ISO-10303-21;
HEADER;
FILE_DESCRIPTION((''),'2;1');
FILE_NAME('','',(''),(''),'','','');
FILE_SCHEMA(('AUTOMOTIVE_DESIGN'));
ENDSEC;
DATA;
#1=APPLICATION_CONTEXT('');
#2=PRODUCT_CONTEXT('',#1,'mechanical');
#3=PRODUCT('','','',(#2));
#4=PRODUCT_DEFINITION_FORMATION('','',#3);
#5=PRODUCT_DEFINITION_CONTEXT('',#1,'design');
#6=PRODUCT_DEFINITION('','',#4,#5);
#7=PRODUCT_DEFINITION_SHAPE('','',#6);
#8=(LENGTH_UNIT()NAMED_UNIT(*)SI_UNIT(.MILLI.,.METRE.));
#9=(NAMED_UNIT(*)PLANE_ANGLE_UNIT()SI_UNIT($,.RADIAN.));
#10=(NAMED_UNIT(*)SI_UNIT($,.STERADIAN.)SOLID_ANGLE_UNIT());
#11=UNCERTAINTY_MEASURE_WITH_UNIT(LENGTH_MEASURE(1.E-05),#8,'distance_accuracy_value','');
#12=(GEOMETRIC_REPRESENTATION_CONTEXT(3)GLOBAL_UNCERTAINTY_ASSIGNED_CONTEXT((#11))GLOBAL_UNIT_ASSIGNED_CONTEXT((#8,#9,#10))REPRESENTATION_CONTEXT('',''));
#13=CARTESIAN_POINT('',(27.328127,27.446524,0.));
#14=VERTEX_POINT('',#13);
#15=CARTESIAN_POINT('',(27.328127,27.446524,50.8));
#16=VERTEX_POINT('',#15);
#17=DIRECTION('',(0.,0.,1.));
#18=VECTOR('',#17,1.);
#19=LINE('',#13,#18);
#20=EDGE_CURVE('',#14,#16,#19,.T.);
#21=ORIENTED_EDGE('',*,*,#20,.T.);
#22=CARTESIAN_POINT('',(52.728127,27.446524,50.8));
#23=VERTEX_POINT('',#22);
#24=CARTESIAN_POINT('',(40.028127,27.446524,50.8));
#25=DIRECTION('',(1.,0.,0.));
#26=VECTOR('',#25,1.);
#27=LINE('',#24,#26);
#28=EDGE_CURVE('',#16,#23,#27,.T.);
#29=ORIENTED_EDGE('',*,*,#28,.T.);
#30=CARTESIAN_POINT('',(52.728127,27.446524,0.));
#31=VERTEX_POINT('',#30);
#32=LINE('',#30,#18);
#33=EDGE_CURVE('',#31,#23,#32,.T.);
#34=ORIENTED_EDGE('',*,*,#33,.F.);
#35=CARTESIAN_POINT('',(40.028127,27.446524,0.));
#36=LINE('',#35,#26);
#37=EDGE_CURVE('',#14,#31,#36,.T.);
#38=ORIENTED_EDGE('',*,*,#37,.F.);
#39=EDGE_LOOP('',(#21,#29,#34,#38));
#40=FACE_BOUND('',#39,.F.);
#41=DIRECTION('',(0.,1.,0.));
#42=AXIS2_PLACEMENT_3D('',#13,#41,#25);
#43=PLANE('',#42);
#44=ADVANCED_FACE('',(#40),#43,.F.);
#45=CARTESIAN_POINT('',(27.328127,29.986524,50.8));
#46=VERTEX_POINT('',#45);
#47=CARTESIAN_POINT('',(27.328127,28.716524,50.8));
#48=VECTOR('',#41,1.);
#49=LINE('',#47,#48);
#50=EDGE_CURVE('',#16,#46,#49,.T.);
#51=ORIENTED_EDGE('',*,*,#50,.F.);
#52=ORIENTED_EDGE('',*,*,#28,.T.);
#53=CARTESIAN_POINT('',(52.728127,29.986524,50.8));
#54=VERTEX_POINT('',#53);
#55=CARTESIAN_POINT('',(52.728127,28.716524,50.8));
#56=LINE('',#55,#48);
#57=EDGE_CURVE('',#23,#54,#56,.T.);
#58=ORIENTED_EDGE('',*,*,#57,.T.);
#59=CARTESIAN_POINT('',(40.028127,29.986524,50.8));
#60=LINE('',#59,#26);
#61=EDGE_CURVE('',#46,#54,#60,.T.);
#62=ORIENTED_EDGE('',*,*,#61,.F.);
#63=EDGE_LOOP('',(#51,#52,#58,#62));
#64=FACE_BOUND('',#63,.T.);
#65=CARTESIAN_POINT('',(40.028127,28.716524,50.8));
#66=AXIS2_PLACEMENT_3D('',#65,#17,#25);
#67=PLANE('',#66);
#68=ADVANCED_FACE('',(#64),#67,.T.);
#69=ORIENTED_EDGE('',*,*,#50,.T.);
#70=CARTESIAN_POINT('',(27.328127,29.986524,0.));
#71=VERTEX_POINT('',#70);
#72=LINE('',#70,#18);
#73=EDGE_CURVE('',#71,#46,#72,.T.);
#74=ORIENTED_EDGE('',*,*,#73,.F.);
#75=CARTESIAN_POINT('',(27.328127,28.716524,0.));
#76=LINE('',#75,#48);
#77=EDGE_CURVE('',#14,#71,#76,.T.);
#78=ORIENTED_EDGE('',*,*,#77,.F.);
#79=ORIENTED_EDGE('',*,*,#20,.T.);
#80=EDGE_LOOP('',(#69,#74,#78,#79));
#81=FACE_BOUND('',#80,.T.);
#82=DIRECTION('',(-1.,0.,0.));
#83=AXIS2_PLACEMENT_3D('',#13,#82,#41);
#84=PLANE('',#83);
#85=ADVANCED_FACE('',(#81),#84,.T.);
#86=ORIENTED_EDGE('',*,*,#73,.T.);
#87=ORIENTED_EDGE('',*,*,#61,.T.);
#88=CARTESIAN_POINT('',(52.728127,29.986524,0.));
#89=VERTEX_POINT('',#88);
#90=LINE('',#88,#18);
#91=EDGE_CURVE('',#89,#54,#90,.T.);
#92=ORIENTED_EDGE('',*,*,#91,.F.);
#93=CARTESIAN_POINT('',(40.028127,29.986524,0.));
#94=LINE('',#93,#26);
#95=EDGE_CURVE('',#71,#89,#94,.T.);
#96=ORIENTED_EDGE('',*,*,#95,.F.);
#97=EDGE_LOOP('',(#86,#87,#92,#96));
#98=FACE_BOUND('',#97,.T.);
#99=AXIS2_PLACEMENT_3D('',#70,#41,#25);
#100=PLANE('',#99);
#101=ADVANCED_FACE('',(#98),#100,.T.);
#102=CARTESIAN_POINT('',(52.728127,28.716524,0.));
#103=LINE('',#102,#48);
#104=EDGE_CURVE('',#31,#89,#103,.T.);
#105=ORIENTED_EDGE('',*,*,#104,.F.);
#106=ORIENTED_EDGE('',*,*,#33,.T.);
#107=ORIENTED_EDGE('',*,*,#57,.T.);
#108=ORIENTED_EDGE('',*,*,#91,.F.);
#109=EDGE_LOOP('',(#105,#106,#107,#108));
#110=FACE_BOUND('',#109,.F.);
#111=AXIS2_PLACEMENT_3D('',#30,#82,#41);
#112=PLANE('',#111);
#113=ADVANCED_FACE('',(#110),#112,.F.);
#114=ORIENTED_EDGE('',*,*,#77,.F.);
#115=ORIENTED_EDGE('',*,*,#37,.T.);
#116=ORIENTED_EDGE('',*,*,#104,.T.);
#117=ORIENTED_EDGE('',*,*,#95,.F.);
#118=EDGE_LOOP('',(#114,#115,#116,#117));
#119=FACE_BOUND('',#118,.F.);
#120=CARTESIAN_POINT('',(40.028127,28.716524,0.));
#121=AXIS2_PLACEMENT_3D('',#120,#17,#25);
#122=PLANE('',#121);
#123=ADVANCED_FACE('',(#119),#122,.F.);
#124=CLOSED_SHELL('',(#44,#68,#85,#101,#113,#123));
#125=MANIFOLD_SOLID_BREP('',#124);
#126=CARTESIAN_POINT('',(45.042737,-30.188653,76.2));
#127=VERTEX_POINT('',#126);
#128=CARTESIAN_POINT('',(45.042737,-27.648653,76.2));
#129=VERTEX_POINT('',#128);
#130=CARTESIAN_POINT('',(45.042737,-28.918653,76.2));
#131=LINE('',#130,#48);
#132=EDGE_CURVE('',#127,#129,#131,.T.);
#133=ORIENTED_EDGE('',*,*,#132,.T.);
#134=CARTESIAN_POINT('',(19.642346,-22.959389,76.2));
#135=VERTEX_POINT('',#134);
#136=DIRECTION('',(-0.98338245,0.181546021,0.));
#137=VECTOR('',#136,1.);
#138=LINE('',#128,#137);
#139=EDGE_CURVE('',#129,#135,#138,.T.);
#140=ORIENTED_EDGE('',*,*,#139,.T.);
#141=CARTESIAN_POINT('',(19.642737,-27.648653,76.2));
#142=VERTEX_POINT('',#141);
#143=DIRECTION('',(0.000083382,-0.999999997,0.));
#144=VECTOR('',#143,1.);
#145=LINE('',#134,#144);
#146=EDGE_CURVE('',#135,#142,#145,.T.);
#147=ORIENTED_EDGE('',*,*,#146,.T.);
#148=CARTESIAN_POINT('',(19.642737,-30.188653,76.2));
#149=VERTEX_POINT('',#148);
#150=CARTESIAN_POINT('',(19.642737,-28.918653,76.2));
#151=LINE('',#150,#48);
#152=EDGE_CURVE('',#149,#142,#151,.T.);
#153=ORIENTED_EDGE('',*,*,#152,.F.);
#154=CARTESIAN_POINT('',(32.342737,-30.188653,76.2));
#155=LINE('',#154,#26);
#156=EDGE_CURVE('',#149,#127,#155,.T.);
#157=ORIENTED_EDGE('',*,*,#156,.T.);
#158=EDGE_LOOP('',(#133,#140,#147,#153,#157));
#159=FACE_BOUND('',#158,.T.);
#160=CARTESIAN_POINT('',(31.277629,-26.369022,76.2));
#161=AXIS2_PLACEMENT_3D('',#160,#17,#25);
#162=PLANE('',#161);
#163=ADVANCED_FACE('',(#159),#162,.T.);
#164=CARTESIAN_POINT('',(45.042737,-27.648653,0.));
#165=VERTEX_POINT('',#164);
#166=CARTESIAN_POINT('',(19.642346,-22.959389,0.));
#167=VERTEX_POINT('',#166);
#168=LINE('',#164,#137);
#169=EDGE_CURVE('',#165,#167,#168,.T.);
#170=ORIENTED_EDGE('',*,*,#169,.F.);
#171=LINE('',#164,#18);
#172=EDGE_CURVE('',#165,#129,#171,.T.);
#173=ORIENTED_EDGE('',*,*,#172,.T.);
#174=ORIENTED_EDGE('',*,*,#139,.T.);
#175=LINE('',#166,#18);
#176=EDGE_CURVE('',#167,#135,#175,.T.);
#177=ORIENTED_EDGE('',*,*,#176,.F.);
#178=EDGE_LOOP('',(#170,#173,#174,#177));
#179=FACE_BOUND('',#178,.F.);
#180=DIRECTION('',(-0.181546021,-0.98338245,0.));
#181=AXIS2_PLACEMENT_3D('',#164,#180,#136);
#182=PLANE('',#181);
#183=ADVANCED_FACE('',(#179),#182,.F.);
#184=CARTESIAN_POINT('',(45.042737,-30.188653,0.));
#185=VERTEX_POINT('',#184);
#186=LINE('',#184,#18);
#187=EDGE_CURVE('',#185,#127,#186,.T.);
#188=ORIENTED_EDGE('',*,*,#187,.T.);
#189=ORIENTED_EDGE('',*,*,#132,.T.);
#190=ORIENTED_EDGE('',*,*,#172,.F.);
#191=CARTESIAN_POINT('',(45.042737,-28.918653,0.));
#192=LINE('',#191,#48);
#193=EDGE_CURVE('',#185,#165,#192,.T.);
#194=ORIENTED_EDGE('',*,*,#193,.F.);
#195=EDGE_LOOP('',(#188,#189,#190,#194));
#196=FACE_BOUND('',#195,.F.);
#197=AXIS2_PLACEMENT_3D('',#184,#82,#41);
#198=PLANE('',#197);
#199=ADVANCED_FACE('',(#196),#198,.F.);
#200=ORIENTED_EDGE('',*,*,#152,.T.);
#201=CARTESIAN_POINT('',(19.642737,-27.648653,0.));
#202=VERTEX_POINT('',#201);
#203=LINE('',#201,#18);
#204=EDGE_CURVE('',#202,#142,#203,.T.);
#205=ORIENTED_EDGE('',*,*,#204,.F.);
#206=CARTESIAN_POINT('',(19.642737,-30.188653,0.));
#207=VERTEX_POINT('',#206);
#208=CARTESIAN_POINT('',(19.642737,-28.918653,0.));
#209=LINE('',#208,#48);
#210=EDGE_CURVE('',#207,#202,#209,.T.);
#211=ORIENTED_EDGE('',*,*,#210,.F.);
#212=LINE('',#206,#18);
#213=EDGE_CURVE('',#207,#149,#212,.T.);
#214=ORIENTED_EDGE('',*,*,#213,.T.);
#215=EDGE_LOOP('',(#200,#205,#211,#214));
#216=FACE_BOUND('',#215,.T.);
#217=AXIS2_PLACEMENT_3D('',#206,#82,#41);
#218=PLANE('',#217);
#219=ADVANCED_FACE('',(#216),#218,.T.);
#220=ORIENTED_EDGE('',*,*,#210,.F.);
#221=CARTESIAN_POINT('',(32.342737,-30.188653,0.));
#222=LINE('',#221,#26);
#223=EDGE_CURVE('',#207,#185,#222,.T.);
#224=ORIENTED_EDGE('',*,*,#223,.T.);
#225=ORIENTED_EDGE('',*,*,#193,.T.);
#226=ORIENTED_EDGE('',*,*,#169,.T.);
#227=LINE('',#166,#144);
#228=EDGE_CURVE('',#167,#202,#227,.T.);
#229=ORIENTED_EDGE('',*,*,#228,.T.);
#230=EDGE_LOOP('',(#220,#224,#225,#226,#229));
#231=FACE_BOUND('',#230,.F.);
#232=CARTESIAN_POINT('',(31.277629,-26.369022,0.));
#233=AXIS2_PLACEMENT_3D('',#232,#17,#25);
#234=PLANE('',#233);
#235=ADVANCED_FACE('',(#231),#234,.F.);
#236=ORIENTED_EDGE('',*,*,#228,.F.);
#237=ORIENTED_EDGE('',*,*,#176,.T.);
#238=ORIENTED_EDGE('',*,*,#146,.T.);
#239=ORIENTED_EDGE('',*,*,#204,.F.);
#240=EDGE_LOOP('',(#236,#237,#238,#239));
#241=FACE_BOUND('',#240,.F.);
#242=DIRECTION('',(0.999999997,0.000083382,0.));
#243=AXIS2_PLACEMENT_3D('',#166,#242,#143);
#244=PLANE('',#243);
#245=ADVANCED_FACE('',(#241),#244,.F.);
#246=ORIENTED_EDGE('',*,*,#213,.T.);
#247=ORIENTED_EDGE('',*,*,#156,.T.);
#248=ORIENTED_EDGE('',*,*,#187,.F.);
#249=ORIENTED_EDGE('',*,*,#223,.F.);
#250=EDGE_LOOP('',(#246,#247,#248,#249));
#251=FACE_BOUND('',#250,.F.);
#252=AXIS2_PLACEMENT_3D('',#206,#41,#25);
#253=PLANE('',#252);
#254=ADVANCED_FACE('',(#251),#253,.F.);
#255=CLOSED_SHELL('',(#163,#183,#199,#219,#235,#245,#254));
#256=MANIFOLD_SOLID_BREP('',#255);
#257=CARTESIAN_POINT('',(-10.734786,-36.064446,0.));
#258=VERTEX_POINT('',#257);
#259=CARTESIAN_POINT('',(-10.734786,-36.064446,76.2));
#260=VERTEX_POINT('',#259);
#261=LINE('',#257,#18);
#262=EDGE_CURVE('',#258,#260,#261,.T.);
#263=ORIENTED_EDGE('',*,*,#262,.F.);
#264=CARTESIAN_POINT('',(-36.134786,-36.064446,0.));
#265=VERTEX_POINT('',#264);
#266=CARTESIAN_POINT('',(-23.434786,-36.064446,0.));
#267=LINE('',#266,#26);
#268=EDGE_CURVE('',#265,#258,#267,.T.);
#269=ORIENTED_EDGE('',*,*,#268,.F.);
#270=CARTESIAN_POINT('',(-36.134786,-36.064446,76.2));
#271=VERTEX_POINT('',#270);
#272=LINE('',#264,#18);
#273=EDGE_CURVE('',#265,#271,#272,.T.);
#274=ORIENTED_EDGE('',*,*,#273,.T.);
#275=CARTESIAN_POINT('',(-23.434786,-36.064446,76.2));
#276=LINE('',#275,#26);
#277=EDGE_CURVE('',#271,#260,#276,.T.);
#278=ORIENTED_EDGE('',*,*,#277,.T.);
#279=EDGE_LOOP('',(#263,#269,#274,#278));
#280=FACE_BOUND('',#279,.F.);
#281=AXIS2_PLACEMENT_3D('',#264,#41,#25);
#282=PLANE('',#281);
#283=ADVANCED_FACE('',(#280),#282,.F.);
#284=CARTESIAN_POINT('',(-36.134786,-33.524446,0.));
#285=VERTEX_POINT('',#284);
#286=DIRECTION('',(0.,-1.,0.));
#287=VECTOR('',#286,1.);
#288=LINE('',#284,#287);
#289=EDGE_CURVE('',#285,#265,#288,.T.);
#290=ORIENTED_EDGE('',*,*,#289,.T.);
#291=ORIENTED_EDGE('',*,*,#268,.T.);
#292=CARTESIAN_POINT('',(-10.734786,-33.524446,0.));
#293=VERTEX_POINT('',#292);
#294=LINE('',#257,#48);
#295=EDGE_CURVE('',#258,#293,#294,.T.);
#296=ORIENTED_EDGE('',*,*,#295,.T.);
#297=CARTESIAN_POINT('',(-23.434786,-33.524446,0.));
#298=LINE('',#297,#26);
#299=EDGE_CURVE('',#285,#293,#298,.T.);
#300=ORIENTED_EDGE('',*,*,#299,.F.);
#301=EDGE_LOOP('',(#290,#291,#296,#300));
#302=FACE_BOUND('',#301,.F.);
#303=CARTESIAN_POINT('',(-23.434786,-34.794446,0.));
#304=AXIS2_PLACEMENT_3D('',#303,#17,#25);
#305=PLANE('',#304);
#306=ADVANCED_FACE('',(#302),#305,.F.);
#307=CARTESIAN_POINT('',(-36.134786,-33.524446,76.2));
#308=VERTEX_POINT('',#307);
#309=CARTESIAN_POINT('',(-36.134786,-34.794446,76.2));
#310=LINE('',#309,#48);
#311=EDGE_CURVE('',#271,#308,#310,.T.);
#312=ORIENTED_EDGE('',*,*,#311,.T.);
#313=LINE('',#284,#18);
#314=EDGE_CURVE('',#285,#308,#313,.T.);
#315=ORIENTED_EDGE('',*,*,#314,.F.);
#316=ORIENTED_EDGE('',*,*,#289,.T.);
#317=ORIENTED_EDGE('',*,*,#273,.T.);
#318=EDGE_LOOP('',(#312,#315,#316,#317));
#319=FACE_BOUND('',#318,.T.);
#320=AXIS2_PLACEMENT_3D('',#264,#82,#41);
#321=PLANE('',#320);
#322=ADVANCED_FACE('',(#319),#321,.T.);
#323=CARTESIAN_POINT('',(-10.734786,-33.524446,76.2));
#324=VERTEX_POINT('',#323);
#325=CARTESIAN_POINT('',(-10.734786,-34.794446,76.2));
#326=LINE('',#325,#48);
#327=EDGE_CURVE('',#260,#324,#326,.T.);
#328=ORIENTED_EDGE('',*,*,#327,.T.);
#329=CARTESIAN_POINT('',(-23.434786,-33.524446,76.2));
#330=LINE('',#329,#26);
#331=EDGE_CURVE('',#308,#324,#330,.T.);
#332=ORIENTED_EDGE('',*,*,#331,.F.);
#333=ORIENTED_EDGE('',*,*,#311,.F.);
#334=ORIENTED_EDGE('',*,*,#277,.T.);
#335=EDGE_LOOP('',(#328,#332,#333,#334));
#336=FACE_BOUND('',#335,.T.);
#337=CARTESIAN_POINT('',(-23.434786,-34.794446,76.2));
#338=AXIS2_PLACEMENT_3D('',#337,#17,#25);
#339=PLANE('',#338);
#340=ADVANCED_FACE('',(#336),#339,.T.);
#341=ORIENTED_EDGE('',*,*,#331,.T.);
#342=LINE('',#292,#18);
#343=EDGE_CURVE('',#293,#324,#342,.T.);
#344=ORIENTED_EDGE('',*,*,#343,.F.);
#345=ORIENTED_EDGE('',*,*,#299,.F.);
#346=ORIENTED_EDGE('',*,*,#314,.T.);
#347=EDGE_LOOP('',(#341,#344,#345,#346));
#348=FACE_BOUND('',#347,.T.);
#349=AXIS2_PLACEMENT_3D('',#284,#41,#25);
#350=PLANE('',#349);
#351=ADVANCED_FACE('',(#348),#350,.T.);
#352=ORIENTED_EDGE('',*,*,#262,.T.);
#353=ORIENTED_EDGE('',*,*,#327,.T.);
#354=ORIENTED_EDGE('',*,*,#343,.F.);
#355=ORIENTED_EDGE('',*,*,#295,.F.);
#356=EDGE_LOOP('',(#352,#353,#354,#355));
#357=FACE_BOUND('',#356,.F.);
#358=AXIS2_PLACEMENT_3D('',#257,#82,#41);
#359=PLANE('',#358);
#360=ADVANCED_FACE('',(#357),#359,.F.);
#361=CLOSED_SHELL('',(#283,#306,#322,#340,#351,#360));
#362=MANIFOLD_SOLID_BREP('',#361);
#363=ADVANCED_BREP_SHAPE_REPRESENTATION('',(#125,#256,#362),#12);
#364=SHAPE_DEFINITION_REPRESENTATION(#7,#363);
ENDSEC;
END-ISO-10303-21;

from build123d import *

# Parameters (mm, degrees)
F0_W     = 25.4
F0_H     = 2.54
F1_DEPTH = 76.2
F3_DEPTH = 35.306
F4_W     = 25.4
F4_H     = 2.54
F5_DEPTH = 76.2
F6_W     = 25.4
F6_H     = 2.54
F7_DEPTH = 50.8


with BuildPart() as f1:
    # F0 (on Top) → F1 (new body)
    with BuildSketch(Plane.XY):
        with Locations((-23.434786, -34.794446)):
            Rectangle(F0_W, F0_H)
    extrude(amount=F1_DEPTH)

    # F2 (on Top) → F3 (cut)
    with BuildSketch(Plane.XY):
        Polygon((39.735686, -23.066446), (-36.424875, -23.655012), (-36.424875, -35.426304), (39.735686, -35.426304), align=None)
    extrude(amount=-F3_DEPTH, mode=Mode.SUBTRACT)


with BuildPart() as f5:
    # F4 (on Top) → F5 (new body)
    with BuildSketch(Plane.XY):
        Polygon((19.642346, -22.959389), (19.642737, -27.648653), (45.042737, -27.648653), align=None)
        with Locations((32.342737, -28.918653)):
            Rectangle(F4_W, F4_H)
    extrude(amount=F5_DEPTH)


with BuildPart() as f7:
    # F6 (on Top) → F7 (new body)
    with BuildSketch(Plane.XY):
        with Locations((40.028127, 28.716524)):
            Rectangle(F6_W, F6_H)
    extrude(amount=F7_DEPTH)


solid = Compound([f1.part, f5.part, f7.part])
